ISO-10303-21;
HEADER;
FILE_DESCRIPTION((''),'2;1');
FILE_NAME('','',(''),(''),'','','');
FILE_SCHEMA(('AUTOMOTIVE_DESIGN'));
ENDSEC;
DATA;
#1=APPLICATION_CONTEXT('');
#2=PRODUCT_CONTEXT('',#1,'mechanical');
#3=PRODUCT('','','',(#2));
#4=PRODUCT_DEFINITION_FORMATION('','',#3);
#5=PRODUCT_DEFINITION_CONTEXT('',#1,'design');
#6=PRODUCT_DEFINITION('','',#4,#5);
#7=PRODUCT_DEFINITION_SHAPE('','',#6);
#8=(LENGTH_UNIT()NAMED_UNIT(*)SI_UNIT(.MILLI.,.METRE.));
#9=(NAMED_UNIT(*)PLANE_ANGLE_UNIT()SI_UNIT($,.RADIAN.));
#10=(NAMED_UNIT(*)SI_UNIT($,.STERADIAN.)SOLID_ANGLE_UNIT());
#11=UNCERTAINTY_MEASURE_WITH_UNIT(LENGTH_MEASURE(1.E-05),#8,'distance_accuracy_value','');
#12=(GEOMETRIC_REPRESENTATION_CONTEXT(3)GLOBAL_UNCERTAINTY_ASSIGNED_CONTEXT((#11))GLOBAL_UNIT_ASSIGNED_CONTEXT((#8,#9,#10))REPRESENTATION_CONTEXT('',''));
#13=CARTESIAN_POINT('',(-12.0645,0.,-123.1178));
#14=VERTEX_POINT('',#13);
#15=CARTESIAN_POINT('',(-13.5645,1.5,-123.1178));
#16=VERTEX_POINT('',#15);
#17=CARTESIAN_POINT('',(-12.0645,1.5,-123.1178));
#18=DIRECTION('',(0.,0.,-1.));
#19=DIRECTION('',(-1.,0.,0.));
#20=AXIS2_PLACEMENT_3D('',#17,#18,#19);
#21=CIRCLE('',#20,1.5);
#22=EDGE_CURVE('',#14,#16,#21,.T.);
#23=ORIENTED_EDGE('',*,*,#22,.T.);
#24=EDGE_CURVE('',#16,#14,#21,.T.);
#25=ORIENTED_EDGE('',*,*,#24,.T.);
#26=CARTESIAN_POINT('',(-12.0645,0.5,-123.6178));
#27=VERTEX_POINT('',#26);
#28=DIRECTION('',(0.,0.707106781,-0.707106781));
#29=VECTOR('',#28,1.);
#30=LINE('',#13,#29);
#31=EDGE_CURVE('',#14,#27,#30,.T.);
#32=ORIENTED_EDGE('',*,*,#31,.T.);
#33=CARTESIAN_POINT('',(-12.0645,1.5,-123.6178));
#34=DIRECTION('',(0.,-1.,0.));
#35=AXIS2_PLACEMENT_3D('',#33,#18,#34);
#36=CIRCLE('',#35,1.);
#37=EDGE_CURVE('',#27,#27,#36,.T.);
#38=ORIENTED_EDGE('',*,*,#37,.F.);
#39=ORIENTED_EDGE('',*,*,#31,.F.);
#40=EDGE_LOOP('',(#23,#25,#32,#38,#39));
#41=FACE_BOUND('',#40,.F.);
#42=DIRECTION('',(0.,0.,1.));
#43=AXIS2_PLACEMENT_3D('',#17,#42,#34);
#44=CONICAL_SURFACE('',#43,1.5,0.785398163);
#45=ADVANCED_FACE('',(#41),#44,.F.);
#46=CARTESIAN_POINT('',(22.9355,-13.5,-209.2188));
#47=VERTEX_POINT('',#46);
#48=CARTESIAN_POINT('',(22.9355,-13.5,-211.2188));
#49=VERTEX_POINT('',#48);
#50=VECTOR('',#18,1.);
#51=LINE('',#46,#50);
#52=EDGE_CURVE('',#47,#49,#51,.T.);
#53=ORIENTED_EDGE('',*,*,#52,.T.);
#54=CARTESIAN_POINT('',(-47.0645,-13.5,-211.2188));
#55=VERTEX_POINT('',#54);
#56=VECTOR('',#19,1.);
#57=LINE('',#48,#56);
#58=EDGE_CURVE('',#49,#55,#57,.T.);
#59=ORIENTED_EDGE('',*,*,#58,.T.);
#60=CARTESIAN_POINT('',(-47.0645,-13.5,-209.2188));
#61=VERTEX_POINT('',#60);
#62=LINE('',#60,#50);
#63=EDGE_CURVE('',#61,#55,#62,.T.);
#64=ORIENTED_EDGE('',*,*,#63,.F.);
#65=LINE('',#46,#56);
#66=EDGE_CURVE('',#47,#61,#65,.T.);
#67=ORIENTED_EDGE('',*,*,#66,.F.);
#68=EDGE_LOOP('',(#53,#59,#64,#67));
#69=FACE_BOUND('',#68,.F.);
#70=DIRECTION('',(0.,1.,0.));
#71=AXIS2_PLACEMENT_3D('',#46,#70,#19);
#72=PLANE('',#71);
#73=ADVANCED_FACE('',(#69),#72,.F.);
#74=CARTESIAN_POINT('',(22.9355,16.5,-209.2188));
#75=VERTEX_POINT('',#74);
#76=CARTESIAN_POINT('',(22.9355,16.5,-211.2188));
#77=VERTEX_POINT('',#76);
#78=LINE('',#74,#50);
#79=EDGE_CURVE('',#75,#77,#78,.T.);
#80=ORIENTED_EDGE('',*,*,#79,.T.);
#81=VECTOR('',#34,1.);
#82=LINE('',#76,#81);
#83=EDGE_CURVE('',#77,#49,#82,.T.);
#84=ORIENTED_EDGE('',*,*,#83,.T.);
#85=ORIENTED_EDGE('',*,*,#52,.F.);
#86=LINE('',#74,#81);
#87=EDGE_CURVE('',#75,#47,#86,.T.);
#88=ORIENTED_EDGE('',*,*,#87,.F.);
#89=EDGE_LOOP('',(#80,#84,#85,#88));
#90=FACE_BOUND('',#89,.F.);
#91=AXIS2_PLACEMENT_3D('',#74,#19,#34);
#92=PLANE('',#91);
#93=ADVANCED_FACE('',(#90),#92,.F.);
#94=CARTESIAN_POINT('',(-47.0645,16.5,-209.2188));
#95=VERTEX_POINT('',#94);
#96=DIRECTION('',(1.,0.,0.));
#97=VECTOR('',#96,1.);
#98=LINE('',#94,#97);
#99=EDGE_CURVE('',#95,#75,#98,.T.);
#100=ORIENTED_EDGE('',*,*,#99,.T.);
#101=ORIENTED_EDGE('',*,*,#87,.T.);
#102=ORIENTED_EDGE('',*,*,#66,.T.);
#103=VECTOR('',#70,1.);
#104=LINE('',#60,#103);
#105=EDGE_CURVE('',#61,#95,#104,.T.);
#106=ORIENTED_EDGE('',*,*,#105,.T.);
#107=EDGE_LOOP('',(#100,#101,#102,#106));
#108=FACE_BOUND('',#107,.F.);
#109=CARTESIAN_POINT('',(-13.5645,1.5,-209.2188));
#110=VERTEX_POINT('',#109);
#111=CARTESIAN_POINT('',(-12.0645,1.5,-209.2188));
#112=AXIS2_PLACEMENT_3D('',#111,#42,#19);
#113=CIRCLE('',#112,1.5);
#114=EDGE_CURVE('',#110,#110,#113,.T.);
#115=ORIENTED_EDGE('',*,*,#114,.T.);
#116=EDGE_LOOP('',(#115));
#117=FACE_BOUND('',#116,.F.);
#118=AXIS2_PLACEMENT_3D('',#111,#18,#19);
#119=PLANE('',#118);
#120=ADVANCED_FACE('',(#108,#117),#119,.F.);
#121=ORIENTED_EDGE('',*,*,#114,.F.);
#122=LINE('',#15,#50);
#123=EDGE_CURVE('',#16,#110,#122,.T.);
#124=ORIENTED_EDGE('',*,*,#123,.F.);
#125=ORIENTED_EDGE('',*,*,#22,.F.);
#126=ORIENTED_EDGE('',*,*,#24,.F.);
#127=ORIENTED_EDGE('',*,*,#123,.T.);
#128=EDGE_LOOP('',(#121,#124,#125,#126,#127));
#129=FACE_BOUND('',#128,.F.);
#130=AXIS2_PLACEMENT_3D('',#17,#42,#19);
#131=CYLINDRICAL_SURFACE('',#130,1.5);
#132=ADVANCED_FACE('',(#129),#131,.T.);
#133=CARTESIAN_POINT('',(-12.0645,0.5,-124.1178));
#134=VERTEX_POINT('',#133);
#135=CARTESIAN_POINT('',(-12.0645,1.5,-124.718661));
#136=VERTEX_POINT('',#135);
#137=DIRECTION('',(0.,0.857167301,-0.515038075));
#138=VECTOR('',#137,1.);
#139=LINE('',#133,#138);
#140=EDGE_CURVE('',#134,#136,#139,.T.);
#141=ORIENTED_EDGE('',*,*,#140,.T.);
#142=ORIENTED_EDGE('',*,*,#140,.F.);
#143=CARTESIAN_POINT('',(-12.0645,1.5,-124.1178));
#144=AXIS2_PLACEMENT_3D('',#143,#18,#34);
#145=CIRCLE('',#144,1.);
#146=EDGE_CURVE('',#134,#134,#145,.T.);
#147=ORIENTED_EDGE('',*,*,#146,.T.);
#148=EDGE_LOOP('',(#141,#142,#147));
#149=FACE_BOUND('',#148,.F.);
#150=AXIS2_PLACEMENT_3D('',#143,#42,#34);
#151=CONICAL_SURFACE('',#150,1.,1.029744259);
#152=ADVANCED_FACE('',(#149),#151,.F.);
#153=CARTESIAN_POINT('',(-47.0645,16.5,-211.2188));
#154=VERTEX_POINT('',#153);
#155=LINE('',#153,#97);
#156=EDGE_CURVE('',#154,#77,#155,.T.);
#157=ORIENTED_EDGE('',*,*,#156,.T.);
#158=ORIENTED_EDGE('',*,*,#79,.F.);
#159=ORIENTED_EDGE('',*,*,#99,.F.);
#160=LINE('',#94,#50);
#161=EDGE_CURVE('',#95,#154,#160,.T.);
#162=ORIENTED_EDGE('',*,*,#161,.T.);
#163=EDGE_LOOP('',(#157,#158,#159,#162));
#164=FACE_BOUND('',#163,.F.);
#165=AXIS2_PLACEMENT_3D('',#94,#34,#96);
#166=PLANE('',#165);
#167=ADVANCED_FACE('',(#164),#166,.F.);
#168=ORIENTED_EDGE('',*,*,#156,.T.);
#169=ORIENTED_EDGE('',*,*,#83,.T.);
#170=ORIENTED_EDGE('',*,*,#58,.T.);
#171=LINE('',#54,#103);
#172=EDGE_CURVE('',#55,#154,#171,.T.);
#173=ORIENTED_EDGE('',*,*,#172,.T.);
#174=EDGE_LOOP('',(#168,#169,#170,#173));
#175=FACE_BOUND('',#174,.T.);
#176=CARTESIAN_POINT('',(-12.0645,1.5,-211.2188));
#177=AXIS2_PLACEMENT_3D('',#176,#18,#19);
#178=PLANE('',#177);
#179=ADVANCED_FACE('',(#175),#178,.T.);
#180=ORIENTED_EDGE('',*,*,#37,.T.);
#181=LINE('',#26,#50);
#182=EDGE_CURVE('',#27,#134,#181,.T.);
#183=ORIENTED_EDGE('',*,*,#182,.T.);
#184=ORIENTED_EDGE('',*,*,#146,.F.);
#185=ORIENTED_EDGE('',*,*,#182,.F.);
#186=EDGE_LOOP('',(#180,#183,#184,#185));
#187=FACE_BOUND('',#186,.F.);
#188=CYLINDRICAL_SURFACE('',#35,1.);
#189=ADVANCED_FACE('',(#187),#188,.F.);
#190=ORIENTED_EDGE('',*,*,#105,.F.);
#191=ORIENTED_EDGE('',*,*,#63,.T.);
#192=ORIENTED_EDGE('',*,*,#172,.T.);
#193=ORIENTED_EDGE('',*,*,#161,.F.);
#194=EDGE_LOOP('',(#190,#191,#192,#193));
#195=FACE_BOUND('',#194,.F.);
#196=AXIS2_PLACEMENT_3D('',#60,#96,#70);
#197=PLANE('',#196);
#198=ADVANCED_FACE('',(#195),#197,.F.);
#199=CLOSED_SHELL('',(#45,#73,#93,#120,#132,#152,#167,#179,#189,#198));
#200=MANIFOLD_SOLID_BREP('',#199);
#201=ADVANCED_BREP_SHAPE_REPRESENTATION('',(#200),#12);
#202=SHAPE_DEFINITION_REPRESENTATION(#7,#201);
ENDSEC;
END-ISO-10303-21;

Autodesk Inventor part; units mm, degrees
ref_plane "YZ Plane" through (0, 0, 0) normal (1, 0, 0) x (0, 1, 0)
ref_plane "XZ Plane" through (0, 0, 0) normal (0, 1, 0) x (-1, 0, 0)
ref_plane "XY Plane" through (0, 0, 0) normal (0, 0, 1) x (1, 0, 0)
sketch "Skizze1" plane through (0, 0, 0) normal (0, 1, 0) x (-1, 0, 0)
  line L0 (35.5112, -88.3128) -> (35.5112, -108.3128)
  line L1 (35.5112, -108.3128) -> (22.0645, -123.1178)
  line L2 (22.0645, -123.1178) -> (2.0645, -123.1178)
  line L3 (2.0645, -123.1178) -> (-12.7404, -109.6711)
  line L4 (-12.7404, -109.6711) -> (-12.7404, -89.6711)
  line L5 (-12.7404, -89.6711) -> (0.7063, -74.8661)
  line L6 (0.7063, -74.8661) -> (20.7063, -74.8661)
  line L7 (20.7063, -74.8661) -> (35.5112, -88.3128)
  point P0 (0, 0)
  dimension "d0" = 20
  dimension "d1" = 20
  dimension "d2" = 20
  dimension "d3" = 20
  dimension "d4" = 20
  dimension "d5" = 20
  dimension "d6" = 20
  dimension "d7" = 20
extrude "Extrusion1" add sketch "Skizze1" along normal blind 3
sketch "Skizze2" plane through (-2.0645, 0, -123.1178) normal (0, 0, -1) x (-1, 0, 0)
  circle A0 centre (10, 1.5) radius 1.5
  line L0 (0, 3) -> (20, 3) projected
  point P0 (-2.0645, 0)
  dimension "d11" = 3
  dimension "d12" = 1.5
extrude "Extrusion2" add sketch "Skizze2" along normal blind 86.101
sketch "Skizze3" plane through (-12.0645, 1.5, -209.2188) normal (0, 0, -1) x (-1, 0, 0)
  line L0 (-35, -15) -> (35, -15)
  line L1 (35, -15) -> (35, 15)
  line L2 (35, 15) -> (-35, 15)
  line L3 (-35, 15) -> (-35, -15)
  arc A0 (0, -1.5) -> (0, 1.5) centre (0, 0) ccw projected
  line L4 (-35, -15) -> (35, 15) construction
  line L5 (35, -15) -> (-35, 15) construction
  point P0 (-12.0645, -1.5)
  point P1 (-2, -1.5)
  point P2 (-2, 1.5)
  point P3 (2, -1.5)
  dimension "d15" = 70
  dimension "d16" = 30
extrude "Extrusion3" add sketch "Skizze3" along normal blind 2
sketch "Skizze5" plane through (0, 0, 0) normal (0, -1, 0) x (1, 0, 0)
  line L0 (-22.0645, -123.1178) -> (51.5086, -123.1178)
  line L1 (51.5086, -123.1178) -> (51.5086, -51.2705)
  line L2 (51.5086, -51.2705) -> (-22.0645, -51.2705)
  line L3 (-22.0645, -51.2705) -> (-22.0645, -123.1178)
  line L4 (-22.0645, -51.2705) -> (-54.8687, -51.2705)
  line L5 (-54.8687, -51.2705) -> (-54.8687, -123.1178)
  line L6 (-54.8687, -123.1178) -> (-22.0645, -123.1178)
  line L7 (-22.0645, -123.1178) -> (-22.0645, -51.2705)
  point P0 (0, 0)
extrude "Extrusion5" cut sketch "Skizze5" against normal blind 10
sketch "Skizze7" plane through (-12.0645, 1.5, -123.1178) normal (0, 0, 1) x (1, 0, 0)
  circle A0 centre (0, 0) radius 1.5 projected
  point P0 (12.0645, -1.5)
  dimension "d39" = 0
  dimension "d40" = 0
hole "Bohrung2" at (-12.0645, 1.5, -123.1178) direction (0, 0, -1) diameter 2 depth 1 tip angle 118 countersink diameter 3 countersink angle 90
properties part number "Vorfahrtsschild_Teil_Unten"
